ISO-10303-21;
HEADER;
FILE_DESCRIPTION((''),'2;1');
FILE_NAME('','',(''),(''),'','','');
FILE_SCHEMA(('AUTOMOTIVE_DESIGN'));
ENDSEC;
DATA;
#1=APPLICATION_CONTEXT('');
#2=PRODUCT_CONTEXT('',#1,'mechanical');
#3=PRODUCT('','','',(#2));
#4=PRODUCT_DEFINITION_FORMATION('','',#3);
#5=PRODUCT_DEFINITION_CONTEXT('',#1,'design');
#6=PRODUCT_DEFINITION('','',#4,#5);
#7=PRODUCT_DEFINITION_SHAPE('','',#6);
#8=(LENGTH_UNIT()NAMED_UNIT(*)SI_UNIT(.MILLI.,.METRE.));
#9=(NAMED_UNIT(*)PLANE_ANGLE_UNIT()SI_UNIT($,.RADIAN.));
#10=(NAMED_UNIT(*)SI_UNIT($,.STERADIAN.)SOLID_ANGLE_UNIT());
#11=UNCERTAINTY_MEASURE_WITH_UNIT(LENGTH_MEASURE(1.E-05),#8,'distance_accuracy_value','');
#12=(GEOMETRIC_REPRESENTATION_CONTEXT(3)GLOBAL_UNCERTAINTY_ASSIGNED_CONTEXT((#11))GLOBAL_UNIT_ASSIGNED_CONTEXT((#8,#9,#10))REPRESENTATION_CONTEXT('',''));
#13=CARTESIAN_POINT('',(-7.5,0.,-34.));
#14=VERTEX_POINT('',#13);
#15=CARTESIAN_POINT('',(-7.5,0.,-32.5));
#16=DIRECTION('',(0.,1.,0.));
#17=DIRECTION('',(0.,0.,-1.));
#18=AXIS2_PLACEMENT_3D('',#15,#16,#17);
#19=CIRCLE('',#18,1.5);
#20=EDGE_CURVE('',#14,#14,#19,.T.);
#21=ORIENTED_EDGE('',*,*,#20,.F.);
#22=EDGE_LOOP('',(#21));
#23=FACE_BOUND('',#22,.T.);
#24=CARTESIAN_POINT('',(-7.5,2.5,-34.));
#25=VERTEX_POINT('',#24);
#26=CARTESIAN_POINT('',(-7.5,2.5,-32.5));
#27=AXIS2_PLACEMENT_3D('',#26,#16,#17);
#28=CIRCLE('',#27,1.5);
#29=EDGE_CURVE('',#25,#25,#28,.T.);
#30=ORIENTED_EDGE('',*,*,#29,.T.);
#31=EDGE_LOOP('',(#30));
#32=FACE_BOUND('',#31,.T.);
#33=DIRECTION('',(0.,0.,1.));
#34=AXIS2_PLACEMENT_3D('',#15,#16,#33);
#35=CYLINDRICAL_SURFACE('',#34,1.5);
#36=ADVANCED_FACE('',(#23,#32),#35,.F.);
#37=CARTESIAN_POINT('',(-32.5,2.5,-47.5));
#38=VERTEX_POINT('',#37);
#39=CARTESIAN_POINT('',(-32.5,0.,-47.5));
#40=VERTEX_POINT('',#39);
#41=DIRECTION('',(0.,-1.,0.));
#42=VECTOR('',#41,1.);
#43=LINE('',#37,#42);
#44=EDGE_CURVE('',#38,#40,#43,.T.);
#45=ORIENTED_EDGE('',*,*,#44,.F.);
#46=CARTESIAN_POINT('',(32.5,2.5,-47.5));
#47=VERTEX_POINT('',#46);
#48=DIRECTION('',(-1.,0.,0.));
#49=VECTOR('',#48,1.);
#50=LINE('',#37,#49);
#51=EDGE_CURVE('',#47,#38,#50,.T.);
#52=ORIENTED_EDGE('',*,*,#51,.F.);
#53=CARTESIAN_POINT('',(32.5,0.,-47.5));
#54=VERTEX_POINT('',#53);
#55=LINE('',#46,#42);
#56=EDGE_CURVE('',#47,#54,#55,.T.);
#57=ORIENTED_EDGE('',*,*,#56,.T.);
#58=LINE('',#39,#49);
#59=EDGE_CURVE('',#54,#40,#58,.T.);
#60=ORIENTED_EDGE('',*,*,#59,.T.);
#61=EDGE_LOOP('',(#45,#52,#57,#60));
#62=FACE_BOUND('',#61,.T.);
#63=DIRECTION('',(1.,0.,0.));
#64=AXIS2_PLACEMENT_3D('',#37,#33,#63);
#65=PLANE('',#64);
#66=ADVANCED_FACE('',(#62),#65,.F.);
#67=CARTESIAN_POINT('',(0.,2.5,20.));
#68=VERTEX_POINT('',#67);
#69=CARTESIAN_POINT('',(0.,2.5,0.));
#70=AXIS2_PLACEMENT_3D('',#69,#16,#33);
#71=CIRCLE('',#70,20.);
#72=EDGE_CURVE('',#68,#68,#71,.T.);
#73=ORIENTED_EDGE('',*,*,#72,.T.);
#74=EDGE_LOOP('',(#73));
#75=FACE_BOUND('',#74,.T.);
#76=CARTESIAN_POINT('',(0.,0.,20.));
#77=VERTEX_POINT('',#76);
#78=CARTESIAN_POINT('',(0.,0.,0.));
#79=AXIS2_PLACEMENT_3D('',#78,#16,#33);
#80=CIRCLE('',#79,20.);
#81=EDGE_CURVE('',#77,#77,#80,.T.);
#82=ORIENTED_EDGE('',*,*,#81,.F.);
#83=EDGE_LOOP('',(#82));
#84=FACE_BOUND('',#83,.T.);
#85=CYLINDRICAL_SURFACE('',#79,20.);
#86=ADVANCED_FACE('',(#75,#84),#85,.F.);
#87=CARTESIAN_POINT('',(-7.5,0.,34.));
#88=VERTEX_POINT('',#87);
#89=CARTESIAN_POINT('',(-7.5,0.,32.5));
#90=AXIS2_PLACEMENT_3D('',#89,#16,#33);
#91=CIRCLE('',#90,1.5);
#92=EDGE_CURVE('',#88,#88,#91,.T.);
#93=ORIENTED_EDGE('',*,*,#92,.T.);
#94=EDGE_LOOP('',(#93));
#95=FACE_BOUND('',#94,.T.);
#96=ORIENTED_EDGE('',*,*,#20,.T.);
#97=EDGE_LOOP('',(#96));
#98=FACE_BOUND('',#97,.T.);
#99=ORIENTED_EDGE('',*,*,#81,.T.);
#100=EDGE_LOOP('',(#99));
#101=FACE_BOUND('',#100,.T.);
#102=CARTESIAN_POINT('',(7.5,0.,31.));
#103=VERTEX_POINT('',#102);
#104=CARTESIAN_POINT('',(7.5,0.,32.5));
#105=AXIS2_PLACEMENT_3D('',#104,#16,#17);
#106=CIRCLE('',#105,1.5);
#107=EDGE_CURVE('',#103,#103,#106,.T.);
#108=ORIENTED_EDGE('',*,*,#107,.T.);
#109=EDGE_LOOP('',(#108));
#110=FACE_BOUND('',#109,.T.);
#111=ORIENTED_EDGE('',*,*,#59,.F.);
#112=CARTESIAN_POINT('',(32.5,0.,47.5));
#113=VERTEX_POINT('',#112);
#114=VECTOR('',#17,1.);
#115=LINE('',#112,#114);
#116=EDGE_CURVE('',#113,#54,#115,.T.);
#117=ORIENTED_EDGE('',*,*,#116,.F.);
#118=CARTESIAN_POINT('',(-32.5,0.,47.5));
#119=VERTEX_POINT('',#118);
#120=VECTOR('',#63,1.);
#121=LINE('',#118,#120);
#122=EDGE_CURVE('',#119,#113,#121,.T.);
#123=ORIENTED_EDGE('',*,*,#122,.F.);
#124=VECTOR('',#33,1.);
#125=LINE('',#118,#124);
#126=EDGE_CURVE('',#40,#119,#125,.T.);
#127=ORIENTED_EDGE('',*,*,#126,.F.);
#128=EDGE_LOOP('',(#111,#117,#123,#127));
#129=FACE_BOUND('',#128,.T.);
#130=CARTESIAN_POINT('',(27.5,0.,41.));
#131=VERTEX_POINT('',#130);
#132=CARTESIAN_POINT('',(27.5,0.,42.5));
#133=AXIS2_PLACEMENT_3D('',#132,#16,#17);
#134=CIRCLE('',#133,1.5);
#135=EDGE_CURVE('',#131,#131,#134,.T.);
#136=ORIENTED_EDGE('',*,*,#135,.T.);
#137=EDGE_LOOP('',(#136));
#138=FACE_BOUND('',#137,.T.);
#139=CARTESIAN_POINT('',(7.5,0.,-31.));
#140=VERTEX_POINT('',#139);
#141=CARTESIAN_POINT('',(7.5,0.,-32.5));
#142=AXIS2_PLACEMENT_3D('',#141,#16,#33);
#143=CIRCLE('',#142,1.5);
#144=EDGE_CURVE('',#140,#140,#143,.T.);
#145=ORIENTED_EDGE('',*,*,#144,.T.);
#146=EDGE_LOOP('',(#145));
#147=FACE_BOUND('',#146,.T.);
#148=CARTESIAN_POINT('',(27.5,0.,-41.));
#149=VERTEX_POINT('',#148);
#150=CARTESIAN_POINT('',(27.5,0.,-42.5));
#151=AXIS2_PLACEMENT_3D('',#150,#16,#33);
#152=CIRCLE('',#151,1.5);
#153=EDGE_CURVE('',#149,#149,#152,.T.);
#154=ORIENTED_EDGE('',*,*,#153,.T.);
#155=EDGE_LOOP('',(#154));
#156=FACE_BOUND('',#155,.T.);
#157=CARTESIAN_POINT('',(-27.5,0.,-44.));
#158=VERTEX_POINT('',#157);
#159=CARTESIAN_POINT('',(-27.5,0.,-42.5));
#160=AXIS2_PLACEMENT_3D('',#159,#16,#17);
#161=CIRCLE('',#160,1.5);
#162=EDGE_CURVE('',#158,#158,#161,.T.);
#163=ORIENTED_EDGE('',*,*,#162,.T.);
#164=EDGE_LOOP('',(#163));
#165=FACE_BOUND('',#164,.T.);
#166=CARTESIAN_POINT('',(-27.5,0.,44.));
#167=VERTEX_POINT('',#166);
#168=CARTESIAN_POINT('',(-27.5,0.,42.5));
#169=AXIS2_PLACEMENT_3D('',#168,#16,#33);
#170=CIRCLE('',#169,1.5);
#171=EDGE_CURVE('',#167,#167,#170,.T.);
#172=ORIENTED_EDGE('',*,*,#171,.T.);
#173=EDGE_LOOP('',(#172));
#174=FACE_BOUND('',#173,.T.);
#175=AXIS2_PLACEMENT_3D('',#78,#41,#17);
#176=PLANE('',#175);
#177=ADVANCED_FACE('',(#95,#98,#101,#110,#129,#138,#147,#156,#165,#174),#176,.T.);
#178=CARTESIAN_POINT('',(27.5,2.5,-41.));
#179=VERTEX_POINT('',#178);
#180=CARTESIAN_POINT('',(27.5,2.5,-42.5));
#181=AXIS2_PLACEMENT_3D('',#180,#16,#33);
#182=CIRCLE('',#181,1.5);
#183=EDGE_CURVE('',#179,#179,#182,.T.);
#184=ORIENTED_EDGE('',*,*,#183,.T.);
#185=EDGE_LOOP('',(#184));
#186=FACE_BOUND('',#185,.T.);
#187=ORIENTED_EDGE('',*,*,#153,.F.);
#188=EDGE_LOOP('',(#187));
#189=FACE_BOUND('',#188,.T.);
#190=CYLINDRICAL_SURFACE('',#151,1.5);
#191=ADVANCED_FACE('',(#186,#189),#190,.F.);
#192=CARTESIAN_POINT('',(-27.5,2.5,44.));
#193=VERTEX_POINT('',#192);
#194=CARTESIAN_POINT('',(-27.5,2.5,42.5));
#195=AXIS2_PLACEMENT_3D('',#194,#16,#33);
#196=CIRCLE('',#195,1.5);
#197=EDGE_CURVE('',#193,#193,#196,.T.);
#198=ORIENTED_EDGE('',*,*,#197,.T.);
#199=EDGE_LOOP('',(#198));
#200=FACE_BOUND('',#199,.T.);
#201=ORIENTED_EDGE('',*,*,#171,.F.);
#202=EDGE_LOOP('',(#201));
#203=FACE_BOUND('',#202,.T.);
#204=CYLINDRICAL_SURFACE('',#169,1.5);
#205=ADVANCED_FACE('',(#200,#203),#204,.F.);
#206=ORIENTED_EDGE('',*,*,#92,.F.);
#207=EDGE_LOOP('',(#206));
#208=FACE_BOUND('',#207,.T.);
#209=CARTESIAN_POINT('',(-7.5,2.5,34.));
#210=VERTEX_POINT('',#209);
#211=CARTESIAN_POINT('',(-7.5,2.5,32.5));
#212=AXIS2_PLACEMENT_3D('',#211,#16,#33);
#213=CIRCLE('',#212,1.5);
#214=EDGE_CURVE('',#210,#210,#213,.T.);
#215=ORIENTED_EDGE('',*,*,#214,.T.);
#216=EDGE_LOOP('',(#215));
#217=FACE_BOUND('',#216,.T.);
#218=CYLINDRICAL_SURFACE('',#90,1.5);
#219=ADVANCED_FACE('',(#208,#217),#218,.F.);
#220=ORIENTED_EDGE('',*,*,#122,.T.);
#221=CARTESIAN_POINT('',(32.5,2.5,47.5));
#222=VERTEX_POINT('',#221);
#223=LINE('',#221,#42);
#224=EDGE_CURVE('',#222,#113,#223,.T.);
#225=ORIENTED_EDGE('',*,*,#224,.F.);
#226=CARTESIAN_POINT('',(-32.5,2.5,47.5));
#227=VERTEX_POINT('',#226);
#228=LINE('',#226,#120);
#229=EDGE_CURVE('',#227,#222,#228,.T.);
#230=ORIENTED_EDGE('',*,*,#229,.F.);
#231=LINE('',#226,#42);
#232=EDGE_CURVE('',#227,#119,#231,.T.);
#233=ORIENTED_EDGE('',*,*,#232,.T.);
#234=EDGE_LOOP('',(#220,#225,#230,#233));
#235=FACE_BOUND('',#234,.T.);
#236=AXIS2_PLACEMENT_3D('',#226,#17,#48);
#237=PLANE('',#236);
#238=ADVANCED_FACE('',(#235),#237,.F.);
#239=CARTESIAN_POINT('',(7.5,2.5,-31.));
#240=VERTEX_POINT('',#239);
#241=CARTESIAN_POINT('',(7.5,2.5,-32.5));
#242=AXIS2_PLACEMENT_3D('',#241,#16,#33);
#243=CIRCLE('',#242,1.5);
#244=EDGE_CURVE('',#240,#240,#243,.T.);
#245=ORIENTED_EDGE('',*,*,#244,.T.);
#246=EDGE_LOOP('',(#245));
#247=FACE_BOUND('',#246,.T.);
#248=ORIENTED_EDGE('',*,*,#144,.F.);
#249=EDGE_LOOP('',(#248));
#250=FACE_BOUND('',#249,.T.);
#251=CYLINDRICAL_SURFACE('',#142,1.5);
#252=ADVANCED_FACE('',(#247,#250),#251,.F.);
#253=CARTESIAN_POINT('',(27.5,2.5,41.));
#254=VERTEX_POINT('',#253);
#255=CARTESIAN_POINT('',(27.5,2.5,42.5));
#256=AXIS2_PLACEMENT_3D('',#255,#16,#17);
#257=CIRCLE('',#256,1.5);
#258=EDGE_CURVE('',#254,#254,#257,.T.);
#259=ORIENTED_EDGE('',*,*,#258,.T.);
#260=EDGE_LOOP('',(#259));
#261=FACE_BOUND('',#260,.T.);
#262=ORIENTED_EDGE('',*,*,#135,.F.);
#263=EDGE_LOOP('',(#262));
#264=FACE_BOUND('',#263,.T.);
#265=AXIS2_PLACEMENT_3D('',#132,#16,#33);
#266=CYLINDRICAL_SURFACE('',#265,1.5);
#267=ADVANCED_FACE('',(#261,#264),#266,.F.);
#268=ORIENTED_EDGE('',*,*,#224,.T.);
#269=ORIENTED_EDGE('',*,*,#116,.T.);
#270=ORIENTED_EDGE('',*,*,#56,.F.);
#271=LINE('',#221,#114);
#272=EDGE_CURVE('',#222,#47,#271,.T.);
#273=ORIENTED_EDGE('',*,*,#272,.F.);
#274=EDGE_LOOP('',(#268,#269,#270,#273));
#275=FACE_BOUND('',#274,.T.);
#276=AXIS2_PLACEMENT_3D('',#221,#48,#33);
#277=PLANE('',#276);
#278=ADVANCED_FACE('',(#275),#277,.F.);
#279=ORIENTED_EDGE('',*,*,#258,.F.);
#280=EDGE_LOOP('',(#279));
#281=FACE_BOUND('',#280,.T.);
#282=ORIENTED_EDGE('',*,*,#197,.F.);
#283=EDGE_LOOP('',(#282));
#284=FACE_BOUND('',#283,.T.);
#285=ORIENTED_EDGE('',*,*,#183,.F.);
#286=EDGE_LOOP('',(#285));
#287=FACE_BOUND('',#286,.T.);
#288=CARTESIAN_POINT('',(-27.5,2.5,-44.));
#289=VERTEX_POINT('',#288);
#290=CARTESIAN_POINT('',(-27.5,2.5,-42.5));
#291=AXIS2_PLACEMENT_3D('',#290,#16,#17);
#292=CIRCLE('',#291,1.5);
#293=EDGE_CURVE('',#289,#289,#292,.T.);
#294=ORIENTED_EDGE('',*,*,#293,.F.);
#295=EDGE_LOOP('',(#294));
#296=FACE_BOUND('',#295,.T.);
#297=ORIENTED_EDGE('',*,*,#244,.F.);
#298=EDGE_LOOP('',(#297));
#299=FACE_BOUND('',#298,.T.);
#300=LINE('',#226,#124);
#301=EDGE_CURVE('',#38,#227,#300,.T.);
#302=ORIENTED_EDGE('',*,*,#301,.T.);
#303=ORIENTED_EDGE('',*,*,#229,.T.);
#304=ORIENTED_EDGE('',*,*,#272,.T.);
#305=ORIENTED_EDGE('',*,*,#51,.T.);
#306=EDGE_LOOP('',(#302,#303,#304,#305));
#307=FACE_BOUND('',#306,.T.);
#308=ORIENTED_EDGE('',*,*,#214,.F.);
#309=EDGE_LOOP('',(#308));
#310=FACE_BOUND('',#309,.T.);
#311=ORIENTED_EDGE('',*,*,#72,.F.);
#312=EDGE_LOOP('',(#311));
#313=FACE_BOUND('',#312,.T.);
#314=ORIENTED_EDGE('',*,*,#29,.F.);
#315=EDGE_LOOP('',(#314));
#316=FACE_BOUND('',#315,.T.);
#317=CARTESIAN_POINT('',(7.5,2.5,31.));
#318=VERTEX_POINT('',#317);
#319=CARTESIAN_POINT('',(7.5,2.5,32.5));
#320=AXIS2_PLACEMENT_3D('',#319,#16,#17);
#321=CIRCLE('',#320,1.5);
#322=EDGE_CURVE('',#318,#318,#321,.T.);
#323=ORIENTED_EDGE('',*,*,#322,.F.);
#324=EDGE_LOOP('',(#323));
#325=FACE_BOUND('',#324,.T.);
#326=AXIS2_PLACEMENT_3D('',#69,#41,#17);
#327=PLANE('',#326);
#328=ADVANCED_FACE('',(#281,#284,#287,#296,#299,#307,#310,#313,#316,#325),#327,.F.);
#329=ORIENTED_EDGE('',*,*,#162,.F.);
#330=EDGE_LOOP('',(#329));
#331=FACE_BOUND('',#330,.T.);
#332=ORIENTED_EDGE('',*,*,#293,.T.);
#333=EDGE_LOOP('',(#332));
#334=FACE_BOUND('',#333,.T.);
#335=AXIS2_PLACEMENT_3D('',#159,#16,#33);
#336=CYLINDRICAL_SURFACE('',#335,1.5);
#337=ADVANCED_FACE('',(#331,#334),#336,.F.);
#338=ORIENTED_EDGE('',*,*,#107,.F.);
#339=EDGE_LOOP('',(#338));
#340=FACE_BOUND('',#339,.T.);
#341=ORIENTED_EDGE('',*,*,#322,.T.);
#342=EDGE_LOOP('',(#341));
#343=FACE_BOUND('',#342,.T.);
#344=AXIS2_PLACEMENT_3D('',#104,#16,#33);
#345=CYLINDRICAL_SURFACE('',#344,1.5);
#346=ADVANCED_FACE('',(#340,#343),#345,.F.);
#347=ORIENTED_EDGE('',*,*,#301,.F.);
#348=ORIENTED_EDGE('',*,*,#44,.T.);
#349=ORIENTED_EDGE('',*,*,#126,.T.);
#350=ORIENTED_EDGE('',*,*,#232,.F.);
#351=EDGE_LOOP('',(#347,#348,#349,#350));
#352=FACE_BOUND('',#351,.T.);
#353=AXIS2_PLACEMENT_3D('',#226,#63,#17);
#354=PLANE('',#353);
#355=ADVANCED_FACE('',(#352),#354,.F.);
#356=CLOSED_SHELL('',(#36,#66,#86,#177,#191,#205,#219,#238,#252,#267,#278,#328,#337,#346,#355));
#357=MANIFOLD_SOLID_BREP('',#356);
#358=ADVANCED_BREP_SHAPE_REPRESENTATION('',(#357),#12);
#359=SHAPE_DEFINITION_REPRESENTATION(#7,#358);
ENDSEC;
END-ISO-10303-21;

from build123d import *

# Parameters (mm, degrees)
CROQUIS1_W              = 65
CROQUIS1_H              = 95
SALIENTE_EXTRUIR1_DEPTH = 2.5
CROQUIS3_R              = 1.5
CORTAR_EXTRUIR2_DEPTH   = 58.608593109
CROQUIS4_R              = 20
CORTAR_EXTRUIR3_DEPTH   = 58.608593109


with BuildPart() as part:
    # Croquis1 → Saliente-Extruir1 (new body)
    with BuildSketch(Plane(origin=(0, 0, 0), x_dir=(1, 0, 0), z_dir=(0, 1, 0))):
        Rectangle(CROQUIS1_W, CROQUIS1_H)
    extrude(amount=SALIENTE_EXTRUIR1_DEPTH)

    # Croquis3 → Cortar-Extruir2 (cut, through all)
    with BuildSketch(Plane(origin=(0, 2.5, 0), x_dir=(1, 0, 0), z_dir=(0, 1, 0))):
        with Locations(Location((27.5, 42.5, 0), (0, 0, 270))):
            Circle(CROQUIS3_R)
        with Locations(Location((7.5, 32.5, 0), (0, 0, 270))):
            Circle(CROQUIS3_R)
        with Locations(Location((7.5, -32.5, 0), (0, 0, 90))):
            Circle(CROQUIS3_R)
        with Locations(Location((27.5, -42.5, 0), (0, 0, 90))):
            Circle(CROQUIS3_R)
        with Locations(Location((-27.5, 42.5, 0), (0, 0, 90))):
            Circle(CROQUIS3_R)
        with Locations(Location((-7.5, 32.5, 0), (0, 0, 90))):
            Circle(CROQUIS3_R)
        with Locations(Location((-27.5, -42.5, 0), (0, 0, 270))):
            Circle(CROQUIS3_R)
        with Locations(Location((-7.5, -32.5, 0), (0, 0, 270))):
            Circle(CROQUIS3_R)
    extrude(amount=-CORTAR_EXTRUIR2_DEPTH, mode=Mode.SUBTRACT)

    # Croquis4 → Cortar-Extruir3 (cut, through all)
    with BuildSketch(Plane(origin=(0, 2.5, 0), x_dir=(1, 0, 0), z_dir=(0, 1, 0))):
        with Locations(Location((0, 0, 0), (0, 0, 270))):
            Circle(CROQUIS4_R)
    extrude(amount=-CORTAR_EXTRUIR3_DEPTH, mode=Mode.SUBTRACT)


solid = part.part
